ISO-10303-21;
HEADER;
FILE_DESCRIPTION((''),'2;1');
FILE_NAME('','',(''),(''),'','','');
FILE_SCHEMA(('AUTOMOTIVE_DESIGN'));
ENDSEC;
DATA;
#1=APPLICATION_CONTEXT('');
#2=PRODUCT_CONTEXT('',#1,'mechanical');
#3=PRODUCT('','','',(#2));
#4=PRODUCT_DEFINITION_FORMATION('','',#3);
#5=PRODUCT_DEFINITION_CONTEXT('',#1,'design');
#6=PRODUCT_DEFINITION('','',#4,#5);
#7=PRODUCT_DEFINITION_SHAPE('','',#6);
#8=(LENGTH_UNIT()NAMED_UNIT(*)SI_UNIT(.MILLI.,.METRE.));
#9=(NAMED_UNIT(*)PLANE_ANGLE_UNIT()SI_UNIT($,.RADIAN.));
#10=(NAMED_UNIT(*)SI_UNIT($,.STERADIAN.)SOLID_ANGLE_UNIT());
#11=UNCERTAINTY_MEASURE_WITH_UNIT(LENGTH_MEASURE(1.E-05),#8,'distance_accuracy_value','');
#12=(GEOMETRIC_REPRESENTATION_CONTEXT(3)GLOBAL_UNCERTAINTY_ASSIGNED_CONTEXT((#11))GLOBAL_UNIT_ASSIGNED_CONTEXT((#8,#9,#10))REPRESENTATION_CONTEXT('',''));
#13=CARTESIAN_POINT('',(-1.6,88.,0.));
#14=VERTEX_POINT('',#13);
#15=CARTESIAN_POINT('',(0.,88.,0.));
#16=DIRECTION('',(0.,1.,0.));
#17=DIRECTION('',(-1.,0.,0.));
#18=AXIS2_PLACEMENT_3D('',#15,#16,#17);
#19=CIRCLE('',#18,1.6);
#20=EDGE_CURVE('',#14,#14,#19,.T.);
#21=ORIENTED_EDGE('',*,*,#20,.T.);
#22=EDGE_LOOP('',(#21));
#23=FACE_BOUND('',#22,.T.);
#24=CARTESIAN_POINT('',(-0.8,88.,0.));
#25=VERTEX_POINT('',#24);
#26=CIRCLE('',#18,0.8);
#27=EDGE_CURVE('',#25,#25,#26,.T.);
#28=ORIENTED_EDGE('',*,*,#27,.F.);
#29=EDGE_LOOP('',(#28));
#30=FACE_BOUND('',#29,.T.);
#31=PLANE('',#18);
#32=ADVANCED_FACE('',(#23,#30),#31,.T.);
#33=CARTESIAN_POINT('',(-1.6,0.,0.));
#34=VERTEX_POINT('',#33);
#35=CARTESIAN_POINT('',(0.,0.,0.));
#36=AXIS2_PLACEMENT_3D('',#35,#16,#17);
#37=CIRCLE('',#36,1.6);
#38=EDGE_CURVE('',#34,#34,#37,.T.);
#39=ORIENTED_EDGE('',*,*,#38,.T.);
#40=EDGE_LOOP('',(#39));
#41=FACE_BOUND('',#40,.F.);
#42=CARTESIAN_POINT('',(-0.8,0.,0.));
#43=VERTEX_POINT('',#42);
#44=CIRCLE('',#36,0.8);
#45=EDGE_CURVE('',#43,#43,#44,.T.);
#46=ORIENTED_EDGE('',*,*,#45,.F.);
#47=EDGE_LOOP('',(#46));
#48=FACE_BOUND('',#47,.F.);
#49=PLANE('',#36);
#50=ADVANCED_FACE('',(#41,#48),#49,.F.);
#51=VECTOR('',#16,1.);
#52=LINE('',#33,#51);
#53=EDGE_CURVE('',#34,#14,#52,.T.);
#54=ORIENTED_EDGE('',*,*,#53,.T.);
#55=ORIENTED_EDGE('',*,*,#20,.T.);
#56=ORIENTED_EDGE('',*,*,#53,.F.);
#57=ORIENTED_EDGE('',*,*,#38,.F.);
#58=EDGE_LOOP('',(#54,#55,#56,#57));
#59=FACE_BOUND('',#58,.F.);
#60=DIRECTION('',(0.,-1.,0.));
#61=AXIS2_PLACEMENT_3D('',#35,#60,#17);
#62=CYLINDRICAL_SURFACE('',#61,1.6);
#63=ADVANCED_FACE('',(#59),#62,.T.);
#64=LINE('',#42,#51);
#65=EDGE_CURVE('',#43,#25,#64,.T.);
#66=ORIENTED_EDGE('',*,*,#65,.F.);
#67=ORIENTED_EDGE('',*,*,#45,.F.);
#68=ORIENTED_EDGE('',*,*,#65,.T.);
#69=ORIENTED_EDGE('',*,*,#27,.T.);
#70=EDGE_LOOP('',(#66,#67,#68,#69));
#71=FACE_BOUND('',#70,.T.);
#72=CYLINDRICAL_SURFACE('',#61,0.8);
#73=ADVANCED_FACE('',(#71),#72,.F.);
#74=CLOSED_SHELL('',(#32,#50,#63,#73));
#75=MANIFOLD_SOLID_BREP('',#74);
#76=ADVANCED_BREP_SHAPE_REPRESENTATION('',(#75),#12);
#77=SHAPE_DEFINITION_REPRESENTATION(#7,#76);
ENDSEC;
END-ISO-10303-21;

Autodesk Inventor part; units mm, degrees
ref_plane "YZ Plane" through (0, 0, 0) normal (1, 0, 0) x (0, 1, 0)
ref_plane "XZ Plane" through (0, 0, 0) normal (0, 1, 0) x (-1, 0, 0)
ref_plane "XY Plane" through (0, 0, 0) normal (0, 0, 1) x (1, 0, 0)
sketch "Skizze1" plane through (0, 0, 0) normal (0, 1, 0) x (-1, 0, 0)
  circle A0 centre (0, 0) radius 1.6
  circle A1 centre (0, 0) radius 0.8
  dimension "d0" = 3.2
  dimension "d1" = 1.6
extrude "Extrusion1" add sketch "Skizze1" along normal blind 88
properties part number "63037-LtBluishGray" material "S235JR - St37-2"
